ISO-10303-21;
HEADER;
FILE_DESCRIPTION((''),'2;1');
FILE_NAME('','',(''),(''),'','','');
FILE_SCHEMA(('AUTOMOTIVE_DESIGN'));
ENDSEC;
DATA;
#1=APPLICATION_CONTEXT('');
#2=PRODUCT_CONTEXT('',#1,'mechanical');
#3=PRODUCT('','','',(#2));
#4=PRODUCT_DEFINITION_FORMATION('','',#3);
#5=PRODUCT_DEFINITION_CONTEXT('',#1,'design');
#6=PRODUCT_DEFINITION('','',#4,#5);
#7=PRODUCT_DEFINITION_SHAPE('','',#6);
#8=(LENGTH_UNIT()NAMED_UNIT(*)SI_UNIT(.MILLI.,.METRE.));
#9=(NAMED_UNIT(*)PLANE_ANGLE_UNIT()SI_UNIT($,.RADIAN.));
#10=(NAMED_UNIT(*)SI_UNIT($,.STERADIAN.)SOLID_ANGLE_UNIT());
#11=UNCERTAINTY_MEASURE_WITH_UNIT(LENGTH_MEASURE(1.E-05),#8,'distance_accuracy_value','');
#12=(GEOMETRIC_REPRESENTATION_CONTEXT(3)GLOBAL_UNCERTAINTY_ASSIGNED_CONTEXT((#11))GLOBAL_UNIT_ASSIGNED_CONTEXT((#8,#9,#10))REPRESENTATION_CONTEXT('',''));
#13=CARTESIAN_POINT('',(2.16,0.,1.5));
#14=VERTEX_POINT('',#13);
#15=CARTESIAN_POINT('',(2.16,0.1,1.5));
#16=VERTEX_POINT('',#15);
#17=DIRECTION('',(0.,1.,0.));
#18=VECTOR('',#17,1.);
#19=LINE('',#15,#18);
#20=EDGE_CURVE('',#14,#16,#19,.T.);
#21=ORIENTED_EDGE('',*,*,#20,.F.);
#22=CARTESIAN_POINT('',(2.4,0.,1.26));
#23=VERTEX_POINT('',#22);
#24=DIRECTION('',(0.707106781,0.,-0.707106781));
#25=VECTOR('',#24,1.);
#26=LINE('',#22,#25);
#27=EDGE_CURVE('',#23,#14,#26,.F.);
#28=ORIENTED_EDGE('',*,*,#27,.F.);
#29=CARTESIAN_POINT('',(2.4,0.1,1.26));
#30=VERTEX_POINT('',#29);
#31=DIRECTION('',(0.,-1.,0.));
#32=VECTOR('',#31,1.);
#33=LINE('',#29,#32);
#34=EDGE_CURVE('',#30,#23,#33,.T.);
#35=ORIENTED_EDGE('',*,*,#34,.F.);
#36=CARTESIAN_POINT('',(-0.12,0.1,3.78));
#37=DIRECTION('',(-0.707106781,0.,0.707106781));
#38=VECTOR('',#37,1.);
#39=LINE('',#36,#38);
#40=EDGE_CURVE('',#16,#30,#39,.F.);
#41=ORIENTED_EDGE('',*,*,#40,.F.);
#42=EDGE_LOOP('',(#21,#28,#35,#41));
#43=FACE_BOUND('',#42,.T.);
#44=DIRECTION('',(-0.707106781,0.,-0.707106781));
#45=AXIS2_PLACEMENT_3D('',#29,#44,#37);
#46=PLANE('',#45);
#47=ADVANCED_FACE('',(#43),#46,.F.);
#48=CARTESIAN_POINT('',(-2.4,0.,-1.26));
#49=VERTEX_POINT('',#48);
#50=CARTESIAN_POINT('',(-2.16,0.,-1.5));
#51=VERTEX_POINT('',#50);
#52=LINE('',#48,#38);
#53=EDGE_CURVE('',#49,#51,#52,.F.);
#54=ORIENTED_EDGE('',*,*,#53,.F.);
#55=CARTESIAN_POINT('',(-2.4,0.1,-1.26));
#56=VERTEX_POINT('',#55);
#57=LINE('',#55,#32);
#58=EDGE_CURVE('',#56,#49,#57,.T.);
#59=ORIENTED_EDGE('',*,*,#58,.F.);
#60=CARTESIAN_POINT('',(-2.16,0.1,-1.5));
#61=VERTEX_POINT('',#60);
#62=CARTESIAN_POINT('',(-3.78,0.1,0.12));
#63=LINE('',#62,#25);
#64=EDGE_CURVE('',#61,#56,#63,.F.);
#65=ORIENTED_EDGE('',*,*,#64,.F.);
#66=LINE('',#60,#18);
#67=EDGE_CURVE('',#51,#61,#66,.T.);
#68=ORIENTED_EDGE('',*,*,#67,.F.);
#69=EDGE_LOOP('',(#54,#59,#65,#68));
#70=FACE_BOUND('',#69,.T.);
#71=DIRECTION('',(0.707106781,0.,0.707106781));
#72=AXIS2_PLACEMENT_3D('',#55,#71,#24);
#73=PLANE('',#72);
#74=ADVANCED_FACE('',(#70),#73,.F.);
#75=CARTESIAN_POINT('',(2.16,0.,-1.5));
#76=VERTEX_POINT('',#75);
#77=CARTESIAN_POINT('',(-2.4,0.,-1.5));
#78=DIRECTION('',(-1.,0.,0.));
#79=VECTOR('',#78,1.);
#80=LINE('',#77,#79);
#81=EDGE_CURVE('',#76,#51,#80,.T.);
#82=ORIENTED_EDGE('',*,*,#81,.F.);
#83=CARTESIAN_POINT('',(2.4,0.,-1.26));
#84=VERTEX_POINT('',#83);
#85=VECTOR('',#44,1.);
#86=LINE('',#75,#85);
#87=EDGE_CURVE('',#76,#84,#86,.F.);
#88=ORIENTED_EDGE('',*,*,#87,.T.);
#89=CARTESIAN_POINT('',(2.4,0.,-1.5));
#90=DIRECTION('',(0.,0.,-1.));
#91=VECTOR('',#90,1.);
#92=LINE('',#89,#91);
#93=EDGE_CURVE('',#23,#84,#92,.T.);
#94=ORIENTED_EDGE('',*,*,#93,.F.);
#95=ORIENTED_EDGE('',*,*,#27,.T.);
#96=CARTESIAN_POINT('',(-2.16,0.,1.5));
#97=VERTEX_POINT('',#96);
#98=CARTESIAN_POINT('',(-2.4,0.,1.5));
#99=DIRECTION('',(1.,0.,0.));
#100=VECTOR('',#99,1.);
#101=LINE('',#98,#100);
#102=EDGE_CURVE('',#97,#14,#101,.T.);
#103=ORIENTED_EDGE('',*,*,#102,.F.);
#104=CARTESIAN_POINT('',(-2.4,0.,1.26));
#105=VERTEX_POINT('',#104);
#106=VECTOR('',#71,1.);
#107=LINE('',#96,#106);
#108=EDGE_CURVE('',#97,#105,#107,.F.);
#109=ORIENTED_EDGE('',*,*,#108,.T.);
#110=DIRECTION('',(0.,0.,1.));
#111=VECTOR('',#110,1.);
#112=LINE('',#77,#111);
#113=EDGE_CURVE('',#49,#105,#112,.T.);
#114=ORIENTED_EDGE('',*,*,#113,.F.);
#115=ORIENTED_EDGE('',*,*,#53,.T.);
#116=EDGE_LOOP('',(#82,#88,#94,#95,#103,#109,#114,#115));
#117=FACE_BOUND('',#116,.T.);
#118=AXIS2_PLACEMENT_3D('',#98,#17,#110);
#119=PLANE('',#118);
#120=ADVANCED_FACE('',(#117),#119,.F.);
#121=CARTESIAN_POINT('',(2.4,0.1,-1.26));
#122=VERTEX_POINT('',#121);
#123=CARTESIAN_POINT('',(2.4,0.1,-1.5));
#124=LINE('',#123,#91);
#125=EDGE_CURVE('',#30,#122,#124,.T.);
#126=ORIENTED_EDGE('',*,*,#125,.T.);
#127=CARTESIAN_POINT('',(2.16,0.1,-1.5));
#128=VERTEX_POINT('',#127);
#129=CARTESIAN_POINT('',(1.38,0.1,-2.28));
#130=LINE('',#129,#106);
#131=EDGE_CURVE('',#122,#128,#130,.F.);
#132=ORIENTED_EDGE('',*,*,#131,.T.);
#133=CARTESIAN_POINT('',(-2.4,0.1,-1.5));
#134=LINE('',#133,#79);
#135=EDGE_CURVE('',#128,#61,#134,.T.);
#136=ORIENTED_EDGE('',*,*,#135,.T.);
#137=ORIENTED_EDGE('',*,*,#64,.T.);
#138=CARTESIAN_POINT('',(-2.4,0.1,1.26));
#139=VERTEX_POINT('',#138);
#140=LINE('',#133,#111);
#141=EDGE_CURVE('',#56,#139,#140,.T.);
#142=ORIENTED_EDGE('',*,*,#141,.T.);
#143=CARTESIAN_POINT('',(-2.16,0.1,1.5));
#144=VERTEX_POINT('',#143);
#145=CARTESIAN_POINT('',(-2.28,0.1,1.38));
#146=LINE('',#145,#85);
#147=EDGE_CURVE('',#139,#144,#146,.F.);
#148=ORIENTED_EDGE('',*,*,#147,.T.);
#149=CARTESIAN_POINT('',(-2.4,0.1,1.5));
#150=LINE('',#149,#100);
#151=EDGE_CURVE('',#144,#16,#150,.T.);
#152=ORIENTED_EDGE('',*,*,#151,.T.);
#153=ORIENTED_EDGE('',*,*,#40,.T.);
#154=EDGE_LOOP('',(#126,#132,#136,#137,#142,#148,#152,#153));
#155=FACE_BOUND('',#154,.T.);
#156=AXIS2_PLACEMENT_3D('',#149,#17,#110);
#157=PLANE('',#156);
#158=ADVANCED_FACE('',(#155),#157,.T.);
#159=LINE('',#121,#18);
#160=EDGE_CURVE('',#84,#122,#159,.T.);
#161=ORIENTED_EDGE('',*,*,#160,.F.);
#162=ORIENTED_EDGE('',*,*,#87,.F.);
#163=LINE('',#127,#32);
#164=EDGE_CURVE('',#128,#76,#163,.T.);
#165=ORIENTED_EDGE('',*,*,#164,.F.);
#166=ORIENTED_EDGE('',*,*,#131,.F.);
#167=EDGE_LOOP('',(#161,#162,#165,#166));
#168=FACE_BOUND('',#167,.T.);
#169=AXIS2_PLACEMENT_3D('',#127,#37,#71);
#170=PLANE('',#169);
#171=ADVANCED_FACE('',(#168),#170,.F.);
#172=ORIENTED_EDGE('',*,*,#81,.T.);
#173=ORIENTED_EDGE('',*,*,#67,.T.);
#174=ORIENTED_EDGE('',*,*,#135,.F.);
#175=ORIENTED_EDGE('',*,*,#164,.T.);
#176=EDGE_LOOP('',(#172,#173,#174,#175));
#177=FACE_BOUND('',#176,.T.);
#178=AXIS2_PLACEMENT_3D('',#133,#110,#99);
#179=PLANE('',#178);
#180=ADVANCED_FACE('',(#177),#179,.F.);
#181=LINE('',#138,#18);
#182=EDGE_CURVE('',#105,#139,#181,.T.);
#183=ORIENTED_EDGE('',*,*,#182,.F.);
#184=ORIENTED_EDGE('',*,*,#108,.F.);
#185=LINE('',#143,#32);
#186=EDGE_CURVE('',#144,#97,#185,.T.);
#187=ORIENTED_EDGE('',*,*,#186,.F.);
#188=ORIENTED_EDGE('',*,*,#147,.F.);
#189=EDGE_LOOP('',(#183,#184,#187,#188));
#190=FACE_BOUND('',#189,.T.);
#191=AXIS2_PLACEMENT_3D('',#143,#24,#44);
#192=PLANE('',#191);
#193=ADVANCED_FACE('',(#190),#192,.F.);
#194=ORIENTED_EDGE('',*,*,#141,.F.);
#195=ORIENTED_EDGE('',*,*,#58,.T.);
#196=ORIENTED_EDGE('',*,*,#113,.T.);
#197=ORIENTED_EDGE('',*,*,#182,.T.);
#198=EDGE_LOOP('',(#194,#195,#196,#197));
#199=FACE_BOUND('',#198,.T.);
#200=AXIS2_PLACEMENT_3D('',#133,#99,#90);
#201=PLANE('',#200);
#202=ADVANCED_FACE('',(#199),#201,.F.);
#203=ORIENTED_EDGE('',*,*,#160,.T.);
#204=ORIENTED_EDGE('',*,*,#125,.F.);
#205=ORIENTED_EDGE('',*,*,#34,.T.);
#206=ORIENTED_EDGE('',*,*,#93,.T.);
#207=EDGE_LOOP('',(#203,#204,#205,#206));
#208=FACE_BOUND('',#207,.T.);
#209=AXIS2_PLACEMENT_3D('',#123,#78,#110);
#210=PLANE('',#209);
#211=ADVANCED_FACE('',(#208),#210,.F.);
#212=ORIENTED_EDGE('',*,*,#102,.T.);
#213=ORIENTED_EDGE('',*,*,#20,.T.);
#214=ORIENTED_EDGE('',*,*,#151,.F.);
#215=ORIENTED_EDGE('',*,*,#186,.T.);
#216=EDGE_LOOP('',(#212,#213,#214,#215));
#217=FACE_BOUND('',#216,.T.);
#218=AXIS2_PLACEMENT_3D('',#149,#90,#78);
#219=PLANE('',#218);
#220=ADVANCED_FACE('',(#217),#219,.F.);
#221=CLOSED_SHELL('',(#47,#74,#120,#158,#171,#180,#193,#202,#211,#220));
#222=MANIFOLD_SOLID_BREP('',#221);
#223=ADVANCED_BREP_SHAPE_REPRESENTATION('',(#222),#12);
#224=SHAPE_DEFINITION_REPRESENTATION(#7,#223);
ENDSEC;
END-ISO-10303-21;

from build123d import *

# Parameters (mm, degrees)
ESBO_O1_W       = 4.8
ESBO_O1_H       = 3
EXTRUS_O1_DEPTH = 0.1
CHANFRO1_SIZE   = 0.24
CHANFRO2_SIZE   = 0.24
CHANFRO3_SIZE   = 0.24
CHANFRO4_SIZE   = 0.24


with BuildPart() as part:
    # Esboço1 → Extrusão1 (new body)
    with BuildSketch(Plane(origin=(0, 0, 0), x_dir=(1, 0, 0), z_dir=(0, 1, 0))):
        Rectangle(ESBO_O1_W, ESBO_O1_H)
    extrude(amount=EXTRUS_O1_DEPTH)

    # Chanfro1
    chanfro1_edges = [part.edges().sort_by_distance(p)[0] for p in [
        (2.4, 0.05, 1.5),
    ]]
    chamfer(chanfro1_edges, length=CHANFRO1_SIZE)

    # Chanfro2
    chanfro2_edges = [part.edges().sort_by_distance(p)[0] for p in [
        (-2.4, 0.05, 1.5),
    ]]
    chamfer(chanfro2_edges, length=CHANFRO2_SIZE)

    # Chanfro3
    chanfro3_edges = [part.edges().sort_by_distance(p)[0] for p in [
        (2.4, 0.05, -1.5),
    ]]
    chamfer(chanfro3_edges, length=CHANFRO3_SIZE)

    # Chanfro4
    chanfro4_edges = [part.edges().sort_by_distance(p)[0] for p in [
        (-2.4, 0.05, -1.5),
    ]]
    chamfer(chanfro4_edges, length=CHANFRO4_SIZE)


solid = part.part
